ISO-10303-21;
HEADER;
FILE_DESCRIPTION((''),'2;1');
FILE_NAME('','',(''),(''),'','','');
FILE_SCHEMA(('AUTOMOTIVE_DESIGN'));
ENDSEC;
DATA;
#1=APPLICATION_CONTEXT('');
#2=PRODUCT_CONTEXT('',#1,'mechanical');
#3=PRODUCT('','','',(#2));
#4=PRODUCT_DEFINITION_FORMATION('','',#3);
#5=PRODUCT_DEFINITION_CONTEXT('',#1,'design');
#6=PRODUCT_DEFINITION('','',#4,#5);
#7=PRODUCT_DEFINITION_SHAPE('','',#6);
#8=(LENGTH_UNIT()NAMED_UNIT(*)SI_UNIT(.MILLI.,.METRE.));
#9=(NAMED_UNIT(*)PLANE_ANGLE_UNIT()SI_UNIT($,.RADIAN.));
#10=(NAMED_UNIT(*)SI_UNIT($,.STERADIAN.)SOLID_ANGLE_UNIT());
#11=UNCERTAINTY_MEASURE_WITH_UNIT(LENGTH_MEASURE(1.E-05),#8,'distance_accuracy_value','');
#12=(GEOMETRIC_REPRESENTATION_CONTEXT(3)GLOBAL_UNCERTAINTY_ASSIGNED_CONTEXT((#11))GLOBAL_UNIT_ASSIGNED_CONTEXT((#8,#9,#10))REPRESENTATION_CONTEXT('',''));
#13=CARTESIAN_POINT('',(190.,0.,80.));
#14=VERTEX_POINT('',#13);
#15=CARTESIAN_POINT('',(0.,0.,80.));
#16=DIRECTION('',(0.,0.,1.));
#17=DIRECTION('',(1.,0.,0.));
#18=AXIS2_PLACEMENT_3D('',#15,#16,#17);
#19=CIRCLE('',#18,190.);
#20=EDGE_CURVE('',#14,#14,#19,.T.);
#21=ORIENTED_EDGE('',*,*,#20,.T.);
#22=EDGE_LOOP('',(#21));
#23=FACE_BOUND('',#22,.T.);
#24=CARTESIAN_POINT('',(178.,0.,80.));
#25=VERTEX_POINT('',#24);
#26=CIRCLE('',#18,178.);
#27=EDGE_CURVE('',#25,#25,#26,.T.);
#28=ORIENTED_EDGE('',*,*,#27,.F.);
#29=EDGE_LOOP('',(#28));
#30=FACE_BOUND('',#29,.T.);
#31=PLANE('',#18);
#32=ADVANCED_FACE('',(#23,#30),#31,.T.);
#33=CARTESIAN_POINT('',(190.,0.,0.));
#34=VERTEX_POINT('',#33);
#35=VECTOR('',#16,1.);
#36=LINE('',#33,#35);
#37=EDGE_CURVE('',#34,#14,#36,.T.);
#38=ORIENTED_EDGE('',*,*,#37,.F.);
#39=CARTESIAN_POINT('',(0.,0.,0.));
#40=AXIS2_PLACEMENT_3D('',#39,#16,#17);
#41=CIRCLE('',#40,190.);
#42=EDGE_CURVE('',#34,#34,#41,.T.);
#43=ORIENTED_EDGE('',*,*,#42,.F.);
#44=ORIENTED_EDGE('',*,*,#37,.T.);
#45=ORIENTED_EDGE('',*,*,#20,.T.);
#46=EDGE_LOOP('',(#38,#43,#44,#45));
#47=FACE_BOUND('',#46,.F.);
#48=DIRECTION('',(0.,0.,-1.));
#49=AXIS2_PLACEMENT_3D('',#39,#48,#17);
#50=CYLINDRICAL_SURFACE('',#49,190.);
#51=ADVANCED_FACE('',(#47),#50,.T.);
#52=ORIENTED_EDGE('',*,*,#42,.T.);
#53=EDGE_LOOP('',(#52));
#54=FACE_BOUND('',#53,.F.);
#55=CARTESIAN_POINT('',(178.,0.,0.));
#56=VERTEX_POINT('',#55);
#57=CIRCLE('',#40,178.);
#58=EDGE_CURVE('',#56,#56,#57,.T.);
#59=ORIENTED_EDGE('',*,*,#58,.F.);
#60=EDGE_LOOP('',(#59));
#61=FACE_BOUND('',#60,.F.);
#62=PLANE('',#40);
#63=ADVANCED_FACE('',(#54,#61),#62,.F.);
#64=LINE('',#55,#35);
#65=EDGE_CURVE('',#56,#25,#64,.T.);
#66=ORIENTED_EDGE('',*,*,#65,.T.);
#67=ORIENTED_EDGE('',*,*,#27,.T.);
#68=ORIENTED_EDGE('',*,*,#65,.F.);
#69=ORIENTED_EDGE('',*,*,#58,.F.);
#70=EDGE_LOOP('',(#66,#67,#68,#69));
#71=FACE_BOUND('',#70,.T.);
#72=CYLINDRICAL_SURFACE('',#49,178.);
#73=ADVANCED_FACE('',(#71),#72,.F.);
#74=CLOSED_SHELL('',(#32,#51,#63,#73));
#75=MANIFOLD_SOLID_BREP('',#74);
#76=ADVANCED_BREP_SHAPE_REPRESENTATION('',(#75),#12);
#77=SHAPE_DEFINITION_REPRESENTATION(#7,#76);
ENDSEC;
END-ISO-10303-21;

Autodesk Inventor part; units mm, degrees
ref_plane "YZ Plane" through (0, 0, 0) normal (1, 0, 0) x (0, 1, 0)
ref_plane "XZ Plane" through (0, 0, 0) normal (0, 1, 0) x (-1, 0, 0)
ref_plane "XY Plane" through (0, 0, 0) normal (0, 0, 1) x (1, 0, 0)
sketch "Эскиз1" plane through (0, 0, 0) normal (0, 0, 1) x (1, 0, 0)
  circle A0 centre (0, 0) radius 178
  circle A1 centre (0, 0) radius 190
  dimension "d0" = 356
  dimension "d1" = 380
extrude "Выдавливание1" add sketch "Эскиз1" along normal blind 80
properties part number "Опорное кольцо" material "Нержавеющая сталь"
